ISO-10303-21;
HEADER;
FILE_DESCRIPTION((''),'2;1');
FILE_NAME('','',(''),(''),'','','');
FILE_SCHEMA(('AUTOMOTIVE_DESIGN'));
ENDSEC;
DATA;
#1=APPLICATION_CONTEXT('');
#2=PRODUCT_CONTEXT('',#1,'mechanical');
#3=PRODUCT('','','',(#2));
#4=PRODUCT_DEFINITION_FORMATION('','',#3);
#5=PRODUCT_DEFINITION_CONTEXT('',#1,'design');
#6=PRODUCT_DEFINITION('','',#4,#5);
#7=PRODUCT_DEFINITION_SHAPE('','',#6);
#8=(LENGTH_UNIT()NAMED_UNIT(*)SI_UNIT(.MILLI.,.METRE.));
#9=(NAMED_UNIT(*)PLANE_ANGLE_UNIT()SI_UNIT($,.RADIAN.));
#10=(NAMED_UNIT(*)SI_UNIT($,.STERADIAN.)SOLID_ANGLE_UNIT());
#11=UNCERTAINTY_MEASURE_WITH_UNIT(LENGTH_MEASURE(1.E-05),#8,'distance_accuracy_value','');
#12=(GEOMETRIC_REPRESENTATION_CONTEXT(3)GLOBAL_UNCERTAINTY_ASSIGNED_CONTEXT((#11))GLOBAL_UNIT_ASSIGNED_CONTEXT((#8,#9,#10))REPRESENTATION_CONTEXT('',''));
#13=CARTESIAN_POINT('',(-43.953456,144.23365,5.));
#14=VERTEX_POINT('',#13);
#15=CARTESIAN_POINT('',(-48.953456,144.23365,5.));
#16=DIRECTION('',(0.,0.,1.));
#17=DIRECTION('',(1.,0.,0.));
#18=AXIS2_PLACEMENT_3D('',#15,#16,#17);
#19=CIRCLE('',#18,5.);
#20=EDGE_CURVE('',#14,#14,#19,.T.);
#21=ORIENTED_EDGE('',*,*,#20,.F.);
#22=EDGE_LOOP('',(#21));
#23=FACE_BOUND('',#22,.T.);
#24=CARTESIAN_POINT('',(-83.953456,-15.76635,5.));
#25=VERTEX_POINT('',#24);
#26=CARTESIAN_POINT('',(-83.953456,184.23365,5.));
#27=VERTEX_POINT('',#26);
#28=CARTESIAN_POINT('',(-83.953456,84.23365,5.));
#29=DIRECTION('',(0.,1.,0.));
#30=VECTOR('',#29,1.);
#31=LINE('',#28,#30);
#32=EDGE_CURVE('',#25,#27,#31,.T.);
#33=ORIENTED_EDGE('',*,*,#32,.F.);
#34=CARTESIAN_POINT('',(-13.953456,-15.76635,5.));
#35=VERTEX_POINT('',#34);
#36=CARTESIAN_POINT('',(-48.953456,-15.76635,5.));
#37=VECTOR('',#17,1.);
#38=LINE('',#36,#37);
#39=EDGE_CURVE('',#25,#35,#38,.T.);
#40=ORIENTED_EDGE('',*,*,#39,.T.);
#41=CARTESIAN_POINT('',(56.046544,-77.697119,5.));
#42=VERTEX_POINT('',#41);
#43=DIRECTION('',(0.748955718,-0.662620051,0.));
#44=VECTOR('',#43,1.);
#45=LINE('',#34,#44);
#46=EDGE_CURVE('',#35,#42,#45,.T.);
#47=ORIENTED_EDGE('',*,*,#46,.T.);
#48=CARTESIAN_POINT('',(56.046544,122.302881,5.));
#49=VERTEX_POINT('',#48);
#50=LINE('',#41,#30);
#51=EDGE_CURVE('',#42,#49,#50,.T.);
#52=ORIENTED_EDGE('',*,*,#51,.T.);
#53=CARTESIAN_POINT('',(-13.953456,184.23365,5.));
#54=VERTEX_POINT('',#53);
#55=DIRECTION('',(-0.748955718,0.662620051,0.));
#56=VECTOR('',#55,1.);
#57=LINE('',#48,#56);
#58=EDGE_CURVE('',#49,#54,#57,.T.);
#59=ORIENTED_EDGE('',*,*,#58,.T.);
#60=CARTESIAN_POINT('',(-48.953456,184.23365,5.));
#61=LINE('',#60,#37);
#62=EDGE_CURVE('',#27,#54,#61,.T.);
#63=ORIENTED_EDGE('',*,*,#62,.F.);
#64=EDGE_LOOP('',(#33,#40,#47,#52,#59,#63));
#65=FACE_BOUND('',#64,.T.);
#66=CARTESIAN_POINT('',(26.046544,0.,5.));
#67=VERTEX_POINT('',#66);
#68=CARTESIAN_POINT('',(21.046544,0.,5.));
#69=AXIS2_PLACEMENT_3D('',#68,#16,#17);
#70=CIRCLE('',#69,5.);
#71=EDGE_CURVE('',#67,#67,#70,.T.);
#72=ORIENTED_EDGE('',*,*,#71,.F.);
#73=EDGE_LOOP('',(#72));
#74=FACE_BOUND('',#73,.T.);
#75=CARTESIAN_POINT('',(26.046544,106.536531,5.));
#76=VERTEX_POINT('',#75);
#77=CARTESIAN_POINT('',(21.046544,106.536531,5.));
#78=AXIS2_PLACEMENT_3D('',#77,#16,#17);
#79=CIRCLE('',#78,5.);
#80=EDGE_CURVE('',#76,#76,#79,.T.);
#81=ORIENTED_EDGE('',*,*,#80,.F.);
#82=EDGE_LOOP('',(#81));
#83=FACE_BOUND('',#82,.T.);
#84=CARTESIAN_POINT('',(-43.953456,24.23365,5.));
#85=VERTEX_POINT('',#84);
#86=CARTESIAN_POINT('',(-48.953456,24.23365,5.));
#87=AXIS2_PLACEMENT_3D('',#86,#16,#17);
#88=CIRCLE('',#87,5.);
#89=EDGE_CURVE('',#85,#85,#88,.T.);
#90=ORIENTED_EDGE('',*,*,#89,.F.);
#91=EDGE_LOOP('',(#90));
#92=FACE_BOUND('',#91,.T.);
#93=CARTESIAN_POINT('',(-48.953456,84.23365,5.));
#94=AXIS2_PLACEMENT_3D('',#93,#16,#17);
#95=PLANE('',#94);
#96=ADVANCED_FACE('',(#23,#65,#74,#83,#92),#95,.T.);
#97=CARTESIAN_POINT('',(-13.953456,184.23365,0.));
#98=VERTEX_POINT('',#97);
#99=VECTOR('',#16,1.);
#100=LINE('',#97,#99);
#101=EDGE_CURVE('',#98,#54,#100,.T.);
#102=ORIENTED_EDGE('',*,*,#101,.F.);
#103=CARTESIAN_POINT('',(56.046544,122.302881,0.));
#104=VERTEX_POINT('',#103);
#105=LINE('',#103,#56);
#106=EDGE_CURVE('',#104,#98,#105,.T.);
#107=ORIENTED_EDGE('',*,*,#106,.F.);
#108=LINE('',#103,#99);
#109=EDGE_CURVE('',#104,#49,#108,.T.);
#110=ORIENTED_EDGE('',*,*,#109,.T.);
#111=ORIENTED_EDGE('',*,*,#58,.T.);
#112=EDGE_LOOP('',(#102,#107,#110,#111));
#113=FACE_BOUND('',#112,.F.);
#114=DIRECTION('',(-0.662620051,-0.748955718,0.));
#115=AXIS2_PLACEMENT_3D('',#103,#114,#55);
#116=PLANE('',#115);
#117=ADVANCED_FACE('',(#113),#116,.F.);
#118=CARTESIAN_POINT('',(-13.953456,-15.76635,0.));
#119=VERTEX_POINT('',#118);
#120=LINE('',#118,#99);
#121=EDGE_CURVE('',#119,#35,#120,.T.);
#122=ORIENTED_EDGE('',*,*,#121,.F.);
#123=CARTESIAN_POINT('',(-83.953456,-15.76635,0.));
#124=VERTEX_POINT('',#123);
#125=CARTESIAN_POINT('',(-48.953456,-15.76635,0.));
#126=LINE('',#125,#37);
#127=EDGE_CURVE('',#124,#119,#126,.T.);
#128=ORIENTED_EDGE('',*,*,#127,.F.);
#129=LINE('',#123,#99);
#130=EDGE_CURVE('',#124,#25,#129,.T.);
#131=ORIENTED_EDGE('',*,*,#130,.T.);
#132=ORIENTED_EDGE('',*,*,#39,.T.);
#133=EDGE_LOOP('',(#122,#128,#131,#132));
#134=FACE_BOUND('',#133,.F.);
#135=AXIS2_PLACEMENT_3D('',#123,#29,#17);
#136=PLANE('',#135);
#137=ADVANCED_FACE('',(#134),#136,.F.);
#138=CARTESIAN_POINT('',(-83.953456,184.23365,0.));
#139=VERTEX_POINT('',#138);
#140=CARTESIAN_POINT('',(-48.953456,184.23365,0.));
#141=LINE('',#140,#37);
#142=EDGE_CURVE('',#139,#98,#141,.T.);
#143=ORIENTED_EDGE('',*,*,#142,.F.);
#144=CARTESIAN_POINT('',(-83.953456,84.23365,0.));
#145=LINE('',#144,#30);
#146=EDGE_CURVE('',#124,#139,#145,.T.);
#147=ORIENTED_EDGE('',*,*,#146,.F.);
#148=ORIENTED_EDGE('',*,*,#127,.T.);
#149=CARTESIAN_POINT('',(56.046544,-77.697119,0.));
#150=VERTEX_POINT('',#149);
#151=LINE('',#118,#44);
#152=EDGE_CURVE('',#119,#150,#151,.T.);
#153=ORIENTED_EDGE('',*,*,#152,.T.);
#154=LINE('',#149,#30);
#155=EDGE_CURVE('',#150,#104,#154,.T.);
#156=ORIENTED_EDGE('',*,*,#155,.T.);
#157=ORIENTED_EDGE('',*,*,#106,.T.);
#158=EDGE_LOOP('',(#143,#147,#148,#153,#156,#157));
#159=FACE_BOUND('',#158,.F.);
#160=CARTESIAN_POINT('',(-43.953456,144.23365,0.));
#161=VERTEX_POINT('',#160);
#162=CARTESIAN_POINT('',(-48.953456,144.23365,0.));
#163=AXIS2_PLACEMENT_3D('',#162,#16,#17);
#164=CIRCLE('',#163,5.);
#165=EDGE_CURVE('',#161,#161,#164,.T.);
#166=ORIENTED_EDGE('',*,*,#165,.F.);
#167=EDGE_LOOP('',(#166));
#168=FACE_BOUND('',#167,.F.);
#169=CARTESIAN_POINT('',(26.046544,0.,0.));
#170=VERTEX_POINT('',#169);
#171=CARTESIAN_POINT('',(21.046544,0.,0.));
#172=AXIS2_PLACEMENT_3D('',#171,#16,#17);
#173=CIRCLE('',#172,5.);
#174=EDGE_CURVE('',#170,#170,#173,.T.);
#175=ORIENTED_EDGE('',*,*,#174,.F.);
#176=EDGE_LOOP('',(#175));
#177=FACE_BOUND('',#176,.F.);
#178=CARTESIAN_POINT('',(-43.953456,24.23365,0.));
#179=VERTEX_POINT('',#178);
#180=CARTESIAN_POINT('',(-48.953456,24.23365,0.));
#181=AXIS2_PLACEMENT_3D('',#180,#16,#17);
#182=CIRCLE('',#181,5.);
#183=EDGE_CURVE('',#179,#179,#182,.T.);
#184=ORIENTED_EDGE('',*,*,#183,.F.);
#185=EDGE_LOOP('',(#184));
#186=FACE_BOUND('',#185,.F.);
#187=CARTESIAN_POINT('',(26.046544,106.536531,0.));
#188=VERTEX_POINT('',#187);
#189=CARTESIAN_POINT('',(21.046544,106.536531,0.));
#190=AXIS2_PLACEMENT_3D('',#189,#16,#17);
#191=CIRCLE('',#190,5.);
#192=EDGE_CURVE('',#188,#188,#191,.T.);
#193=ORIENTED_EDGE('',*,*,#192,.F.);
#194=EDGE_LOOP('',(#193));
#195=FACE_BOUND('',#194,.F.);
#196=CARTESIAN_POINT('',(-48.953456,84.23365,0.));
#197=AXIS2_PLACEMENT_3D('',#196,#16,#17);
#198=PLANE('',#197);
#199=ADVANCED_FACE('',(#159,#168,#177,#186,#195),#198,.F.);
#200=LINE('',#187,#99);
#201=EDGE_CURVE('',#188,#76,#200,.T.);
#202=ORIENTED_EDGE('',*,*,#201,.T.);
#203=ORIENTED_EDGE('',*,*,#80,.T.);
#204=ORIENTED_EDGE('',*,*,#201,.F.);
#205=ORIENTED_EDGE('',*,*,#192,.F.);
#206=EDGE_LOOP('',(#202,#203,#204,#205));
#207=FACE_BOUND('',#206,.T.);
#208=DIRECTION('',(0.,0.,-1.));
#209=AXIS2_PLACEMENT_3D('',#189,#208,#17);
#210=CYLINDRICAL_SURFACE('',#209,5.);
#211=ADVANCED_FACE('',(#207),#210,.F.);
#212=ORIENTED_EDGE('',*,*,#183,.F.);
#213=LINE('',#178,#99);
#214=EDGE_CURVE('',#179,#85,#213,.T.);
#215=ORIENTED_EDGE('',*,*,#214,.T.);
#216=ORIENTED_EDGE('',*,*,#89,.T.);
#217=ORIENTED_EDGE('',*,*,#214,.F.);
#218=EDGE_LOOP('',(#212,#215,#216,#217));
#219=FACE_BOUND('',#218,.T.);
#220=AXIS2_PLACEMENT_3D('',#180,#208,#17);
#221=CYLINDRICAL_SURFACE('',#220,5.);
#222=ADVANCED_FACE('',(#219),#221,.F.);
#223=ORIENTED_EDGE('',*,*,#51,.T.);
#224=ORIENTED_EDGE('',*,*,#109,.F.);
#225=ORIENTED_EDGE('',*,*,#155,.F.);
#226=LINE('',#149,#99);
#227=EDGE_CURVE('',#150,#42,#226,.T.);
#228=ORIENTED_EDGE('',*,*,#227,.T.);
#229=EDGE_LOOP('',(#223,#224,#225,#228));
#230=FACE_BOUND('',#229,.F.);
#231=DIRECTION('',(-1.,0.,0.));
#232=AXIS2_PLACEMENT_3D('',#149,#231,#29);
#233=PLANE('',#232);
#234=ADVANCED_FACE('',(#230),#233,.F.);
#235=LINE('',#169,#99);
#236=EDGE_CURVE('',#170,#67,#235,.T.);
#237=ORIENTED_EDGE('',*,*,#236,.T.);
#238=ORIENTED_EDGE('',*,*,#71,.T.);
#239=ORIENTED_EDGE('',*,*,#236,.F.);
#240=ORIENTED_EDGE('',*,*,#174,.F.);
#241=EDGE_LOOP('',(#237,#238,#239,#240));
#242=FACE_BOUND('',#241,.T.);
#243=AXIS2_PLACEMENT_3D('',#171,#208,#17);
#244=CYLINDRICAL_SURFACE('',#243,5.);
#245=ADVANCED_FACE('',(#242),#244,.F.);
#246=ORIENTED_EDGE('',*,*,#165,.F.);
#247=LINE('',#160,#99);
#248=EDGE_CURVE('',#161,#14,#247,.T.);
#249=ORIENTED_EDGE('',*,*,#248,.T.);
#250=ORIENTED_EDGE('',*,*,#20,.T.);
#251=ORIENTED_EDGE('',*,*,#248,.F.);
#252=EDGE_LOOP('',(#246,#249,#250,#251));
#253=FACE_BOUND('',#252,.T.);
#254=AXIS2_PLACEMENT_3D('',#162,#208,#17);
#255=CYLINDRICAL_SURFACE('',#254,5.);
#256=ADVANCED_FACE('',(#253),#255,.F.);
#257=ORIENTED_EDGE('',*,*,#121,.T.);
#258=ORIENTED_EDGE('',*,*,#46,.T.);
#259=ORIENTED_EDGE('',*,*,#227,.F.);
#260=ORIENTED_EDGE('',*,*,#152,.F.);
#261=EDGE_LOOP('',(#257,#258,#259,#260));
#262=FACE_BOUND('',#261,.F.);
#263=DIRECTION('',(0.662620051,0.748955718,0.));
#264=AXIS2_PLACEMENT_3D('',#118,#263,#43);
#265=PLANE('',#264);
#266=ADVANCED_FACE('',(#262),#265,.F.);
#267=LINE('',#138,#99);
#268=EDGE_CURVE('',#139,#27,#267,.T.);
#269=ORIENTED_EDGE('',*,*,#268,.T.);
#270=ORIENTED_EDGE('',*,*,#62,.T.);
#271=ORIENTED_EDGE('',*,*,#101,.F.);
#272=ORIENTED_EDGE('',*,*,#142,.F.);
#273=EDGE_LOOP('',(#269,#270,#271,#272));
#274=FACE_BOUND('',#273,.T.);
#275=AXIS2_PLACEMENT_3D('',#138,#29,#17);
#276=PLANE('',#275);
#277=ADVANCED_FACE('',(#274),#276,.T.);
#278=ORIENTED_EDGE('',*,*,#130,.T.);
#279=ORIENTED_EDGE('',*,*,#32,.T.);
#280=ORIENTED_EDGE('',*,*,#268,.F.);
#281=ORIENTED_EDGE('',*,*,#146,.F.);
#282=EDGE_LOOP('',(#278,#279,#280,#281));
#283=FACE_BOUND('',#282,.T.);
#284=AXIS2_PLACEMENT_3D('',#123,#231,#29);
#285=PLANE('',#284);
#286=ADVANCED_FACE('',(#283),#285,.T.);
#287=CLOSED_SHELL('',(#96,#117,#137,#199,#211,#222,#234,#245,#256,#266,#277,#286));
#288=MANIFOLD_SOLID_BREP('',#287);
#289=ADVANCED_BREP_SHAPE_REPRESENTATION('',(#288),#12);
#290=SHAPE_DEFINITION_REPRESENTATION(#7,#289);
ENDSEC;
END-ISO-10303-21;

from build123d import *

# Parameters (mm, degrees)
F0_W     = 70
F0_H     = 200
F0_R     = 5
F1_DEPTH = 5


with BuildPart() as f1:
    # F0 (on Top) → F1 (new body)
    with BuildSketch(Plane.XY):
        with Locations((-48.953456, 84.23365)):
            Rectangle(F0_W, F0_H)
        with Locations((-48.953456, 24.23365)):
            Circle(F0_R, mode=Mode.SUBTRACT)
        with Locations((-48.953456, 144.23365)):
            Circle(F0_R, mode=Mode.SUBTRACT)
        Polygon((56.046544, 122.302881), (-13.953456, 184.23365), (-13.953456, -15.76635), (56.046544, -77.697119), align=None)
        with Locations((21.046544, 0)):
            Circle(F0_R, mode=Mode.SUBTRACT)
        with Locations((21.046544, 106.536531)):
            Circle(F0_R, mode=Mode.SUBTRACT)
    extrude(amount=F1_DEPTH)


solid = f1.part
